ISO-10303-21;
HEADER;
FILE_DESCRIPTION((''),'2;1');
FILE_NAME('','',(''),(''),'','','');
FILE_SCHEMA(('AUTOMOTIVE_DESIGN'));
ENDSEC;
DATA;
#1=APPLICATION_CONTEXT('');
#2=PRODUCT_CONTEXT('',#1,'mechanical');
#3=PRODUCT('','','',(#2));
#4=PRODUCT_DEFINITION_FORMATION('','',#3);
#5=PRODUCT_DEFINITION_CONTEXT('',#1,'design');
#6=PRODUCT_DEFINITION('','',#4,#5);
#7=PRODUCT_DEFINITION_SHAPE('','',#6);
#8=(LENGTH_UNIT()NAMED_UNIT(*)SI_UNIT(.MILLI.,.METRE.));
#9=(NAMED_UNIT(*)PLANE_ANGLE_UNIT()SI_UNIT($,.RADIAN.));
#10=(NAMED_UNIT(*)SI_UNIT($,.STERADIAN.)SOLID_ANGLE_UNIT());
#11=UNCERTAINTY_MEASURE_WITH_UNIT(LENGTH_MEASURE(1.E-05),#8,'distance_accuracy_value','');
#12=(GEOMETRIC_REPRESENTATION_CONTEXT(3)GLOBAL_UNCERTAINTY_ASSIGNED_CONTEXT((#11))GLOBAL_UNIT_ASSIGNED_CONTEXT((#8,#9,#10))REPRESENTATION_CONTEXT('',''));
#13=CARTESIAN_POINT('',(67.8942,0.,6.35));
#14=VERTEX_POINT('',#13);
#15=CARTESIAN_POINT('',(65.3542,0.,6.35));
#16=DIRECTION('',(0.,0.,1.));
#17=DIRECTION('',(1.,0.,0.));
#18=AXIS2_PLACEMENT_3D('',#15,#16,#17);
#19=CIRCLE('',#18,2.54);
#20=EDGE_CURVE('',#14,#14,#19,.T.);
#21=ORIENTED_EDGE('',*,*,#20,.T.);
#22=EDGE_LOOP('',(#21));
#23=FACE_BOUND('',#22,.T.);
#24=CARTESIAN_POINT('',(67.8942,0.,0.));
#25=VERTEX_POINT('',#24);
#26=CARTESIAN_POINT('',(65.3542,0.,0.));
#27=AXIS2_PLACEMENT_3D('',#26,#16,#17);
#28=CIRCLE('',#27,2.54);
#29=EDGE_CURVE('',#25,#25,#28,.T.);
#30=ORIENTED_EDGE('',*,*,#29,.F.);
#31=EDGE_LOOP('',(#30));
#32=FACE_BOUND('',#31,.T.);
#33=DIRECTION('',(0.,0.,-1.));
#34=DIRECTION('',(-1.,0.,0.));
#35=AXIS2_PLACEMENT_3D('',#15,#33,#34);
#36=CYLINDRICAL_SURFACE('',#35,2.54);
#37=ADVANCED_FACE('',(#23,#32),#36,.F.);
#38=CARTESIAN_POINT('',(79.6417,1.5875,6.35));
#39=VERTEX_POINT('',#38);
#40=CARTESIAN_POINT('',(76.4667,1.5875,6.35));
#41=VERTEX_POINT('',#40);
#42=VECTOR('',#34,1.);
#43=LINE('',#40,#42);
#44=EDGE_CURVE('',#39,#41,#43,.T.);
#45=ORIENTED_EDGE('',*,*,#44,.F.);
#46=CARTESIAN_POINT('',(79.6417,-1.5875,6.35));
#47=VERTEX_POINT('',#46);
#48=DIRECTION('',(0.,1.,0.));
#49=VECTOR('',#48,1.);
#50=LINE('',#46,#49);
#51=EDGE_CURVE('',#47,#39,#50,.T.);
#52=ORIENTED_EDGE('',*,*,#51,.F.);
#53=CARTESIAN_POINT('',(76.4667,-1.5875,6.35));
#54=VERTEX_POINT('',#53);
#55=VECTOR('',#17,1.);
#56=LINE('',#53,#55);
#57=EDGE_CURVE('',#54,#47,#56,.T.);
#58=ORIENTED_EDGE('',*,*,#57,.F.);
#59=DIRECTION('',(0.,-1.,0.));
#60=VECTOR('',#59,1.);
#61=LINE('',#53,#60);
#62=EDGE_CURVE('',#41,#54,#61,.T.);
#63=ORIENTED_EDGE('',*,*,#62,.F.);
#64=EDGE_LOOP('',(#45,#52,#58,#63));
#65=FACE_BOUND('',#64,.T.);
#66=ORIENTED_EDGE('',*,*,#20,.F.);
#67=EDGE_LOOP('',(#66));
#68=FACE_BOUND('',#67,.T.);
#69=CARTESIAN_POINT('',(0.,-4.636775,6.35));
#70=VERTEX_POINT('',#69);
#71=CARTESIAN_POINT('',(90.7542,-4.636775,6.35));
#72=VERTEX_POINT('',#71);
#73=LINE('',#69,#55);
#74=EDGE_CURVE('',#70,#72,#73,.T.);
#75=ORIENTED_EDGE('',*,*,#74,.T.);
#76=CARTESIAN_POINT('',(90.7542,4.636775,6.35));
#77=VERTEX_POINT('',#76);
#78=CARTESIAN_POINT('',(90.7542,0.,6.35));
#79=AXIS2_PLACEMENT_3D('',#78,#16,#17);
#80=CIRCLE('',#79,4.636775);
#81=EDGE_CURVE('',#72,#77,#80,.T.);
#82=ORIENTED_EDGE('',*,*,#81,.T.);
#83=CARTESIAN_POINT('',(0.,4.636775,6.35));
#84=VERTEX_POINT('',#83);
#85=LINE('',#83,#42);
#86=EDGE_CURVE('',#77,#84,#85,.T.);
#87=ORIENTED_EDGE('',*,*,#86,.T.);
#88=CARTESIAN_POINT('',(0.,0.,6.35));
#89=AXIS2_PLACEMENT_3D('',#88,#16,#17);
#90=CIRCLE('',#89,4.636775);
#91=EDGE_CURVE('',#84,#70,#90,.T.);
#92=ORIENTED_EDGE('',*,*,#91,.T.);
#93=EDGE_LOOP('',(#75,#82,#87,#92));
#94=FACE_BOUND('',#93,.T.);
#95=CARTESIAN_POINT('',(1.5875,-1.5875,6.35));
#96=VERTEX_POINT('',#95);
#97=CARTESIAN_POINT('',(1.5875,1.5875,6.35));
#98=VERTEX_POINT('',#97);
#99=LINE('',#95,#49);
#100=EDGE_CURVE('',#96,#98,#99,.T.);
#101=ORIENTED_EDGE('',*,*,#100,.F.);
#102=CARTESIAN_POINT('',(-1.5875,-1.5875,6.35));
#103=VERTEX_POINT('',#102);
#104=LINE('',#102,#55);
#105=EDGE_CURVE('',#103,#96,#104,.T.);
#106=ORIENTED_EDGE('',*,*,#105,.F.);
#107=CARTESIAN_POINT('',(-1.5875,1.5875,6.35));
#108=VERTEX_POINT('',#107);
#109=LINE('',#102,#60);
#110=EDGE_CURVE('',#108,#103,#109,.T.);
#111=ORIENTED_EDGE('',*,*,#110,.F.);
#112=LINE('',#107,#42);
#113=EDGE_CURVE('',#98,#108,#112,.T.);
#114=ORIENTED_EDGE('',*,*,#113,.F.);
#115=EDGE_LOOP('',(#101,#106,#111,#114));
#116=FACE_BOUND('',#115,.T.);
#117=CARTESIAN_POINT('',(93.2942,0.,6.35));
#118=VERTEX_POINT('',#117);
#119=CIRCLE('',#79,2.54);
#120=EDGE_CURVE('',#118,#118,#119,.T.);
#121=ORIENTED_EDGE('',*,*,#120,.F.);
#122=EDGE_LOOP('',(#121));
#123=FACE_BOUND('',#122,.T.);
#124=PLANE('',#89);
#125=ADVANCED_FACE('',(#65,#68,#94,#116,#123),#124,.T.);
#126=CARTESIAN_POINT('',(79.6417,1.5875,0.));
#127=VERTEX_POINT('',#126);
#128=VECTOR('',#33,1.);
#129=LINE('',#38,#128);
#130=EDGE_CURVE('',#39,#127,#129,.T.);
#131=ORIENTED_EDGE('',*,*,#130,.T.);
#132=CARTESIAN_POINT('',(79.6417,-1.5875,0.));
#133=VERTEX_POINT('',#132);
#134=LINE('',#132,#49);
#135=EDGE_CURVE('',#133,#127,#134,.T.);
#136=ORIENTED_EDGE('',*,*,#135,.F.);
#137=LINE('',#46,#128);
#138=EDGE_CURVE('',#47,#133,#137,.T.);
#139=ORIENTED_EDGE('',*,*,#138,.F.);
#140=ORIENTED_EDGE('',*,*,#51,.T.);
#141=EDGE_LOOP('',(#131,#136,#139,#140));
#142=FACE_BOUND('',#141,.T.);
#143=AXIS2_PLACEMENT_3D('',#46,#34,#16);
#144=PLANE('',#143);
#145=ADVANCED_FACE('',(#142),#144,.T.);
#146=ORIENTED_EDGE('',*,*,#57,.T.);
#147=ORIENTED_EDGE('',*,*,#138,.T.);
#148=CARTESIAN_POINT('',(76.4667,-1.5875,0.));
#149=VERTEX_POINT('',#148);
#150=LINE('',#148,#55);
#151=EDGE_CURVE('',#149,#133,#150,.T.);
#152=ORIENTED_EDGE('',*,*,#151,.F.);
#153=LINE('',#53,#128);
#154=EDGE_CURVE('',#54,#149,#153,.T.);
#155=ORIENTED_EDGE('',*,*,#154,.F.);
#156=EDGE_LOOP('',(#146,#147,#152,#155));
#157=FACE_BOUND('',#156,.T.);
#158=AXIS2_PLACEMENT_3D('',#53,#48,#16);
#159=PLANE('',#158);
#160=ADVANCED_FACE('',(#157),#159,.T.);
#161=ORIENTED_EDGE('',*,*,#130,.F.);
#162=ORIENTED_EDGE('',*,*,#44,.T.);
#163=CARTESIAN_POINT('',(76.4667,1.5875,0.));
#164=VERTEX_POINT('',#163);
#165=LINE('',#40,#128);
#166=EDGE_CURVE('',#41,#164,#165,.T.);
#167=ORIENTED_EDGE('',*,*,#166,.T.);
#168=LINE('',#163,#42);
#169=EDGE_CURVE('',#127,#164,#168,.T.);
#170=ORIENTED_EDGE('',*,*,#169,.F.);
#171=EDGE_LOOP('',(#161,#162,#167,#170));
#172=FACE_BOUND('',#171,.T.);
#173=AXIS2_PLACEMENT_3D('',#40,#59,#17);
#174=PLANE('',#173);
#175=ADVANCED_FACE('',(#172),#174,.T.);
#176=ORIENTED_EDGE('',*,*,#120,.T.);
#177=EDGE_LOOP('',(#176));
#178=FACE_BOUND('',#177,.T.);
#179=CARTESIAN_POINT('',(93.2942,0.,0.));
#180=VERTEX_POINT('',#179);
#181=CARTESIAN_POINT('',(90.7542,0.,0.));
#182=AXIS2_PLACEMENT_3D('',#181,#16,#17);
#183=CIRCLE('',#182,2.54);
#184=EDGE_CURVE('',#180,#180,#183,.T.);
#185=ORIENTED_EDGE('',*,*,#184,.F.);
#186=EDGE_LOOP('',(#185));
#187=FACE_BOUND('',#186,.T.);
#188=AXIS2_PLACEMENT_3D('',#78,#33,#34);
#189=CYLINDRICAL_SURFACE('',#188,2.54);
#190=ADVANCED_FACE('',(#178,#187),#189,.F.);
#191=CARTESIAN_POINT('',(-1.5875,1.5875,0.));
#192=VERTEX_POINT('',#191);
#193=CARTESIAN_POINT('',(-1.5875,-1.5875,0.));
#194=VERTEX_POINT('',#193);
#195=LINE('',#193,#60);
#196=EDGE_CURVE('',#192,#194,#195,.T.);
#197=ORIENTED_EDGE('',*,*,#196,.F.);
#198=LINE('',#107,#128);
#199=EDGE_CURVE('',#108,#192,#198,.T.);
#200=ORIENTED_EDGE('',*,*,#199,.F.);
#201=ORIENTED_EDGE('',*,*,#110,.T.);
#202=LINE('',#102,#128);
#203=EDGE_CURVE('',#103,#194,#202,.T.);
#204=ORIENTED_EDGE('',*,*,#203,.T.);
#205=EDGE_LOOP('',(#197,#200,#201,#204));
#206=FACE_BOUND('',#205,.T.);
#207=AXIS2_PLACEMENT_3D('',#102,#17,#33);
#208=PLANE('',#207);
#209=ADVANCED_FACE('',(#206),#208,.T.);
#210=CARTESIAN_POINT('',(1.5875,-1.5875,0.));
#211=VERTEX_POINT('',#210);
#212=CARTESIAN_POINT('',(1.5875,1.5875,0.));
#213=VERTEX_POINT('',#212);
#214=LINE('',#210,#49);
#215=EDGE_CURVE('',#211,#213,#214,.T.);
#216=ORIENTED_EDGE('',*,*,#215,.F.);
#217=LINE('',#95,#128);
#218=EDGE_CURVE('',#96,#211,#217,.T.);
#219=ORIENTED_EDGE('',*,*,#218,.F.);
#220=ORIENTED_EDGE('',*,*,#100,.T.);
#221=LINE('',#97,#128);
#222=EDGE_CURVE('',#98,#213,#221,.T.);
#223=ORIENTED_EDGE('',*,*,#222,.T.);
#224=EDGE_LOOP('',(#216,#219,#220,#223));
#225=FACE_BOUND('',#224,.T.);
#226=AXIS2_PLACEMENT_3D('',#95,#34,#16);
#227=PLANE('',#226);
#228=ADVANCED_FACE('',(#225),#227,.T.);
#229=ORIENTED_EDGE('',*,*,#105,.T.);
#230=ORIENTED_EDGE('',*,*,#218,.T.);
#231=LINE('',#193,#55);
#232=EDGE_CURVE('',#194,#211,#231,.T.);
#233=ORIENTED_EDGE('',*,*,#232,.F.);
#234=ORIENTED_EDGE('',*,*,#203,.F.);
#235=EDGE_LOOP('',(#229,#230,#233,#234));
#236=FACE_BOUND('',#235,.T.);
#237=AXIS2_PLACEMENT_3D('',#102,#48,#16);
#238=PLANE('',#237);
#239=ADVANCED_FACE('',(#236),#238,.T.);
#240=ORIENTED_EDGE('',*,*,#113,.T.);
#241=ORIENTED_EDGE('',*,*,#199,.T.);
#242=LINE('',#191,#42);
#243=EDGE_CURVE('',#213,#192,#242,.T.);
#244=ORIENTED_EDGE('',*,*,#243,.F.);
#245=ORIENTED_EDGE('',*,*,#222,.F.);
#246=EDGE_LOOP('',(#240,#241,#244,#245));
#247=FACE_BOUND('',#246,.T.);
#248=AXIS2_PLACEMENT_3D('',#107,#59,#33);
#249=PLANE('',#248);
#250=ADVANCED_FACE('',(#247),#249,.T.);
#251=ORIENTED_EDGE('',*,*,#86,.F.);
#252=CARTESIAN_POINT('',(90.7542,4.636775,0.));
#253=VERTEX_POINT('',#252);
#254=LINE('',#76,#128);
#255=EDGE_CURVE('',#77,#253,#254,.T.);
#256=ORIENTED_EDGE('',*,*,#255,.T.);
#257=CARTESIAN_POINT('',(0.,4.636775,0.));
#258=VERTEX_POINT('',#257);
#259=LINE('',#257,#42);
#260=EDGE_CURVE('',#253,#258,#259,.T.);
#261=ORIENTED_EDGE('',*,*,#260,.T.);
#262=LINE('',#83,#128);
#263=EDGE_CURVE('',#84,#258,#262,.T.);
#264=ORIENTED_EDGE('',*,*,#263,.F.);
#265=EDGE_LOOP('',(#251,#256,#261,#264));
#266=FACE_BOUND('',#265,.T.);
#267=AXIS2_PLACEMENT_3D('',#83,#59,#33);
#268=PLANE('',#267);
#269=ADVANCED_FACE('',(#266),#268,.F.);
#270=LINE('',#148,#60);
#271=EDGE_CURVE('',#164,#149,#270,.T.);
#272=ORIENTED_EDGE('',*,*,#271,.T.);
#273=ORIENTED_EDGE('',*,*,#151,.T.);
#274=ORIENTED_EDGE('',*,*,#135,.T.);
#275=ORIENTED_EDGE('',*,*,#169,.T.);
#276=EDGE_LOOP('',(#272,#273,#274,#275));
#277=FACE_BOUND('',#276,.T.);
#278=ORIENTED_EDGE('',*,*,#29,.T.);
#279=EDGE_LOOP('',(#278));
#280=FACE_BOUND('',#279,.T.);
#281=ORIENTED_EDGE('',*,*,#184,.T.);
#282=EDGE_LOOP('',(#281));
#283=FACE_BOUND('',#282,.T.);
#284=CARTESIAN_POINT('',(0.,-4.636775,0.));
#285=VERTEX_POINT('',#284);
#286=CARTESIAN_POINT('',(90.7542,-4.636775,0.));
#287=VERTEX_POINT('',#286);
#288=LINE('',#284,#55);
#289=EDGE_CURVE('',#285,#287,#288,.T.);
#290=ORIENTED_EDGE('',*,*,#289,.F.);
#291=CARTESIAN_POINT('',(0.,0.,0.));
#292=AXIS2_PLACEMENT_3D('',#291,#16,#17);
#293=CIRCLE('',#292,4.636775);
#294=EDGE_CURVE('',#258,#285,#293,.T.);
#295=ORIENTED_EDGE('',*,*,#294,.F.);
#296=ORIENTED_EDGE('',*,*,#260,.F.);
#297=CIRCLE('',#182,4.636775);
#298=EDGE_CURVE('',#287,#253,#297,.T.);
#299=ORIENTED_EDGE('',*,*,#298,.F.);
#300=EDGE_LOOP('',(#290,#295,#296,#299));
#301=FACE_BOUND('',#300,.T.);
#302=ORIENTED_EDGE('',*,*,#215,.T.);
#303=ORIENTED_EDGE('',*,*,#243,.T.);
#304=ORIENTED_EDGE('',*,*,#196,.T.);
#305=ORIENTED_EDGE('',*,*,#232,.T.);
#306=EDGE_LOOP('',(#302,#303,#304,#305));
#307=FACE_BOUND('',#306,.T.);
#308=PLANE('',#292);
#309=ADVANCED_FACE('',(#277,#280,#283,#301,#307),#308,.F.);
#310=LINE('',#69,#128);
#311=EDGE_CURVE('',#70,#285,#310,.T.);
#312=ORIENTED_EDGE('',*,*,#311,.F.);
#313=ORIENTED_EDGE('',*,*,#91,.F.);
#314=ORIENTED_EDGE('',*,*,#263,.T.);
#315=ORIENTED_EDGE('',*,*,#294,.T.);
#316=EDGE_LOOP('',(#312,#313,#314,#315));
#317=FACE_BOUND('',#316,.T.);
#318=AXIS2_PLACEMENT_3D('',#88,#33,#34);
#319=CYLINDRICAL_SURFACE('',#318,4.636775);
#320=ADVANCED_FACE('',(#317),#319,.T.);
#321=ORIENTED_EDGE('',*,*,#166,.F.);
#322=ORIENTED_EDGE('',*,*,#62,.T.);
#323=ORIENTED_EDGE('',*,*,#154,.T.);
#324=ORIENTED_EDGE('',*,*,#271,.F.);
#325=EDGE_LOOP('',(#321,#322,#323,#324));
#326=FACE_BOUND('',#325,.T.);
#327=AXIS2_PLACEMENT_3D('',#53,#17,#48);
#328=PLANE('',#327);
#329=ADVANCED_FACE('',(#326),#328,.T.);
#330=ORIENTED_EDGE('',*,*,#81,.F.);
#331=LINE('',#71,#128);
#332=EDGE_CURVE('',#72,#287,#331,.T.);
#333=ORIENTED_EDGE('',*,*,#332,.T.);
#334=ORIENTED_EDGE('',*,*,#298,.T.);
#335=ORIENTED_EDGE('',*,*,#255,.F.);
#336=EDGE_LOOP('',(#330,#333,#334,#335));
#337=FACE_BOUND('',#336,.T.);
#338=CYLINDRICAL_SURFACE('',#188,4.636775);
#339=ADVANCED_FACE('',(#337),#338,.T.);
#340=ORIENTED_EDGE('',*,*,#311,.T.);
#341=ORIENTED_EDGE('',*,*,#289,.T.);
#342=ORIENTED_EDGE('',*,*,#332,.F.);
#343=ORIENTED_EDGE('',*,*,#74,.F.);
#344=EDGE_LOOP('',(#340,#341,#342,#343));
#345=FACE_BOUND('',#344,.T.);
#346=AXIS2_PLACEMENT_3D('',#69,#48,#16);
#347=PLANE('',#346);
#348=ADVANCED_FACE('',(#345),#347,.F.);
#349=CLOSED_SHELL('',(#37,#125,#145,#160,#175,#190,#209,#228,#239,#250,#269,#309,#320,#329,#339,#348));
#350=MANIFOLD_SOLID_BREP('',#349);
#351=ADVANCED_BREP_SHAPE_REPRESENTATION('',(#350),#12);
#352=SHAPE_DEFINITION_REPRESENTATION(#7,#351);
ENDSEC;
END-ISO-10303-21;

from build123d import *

# Parameters (mm, degrees)
SKETCH1_R           = 2.54
SKETCH1_W           = 3.175
SKETCH1_H           = 3.175
BOSS_EXTRUDE1_DEPTH = 6.35


with BuildPart() as part:
    # Sketch1 → Boss-Extrude1 (new body)
    with BuildSketch(Plane.XY):
        with BuildLine():
            Line((0, 4.636775303), (90.7542, 4.636775303))
            ThreePointArc((90.7542, 4.636775303), (95.390975303, 0), (90.7542, -4.636775303))
            Line((90.7542, -4.636775303), (0, -4.636775303))
            ThreePointArc((0, -4.636775303), (-4.636775303, 0), (0, 4.636775303))
        make_face()
        with Locations((90.7542, 0)):
            Circle(SKETCH1_R, mode=Mode.SUBTRACT)
        with Locations((65.3542, 0)):
            Circle(SKETCH1_R, mode=Mode.SUBTRACT)
        with Locations((78.0542, 0)):
            Rectangle(SKETCH1_W, SKETCH1_H, mode=Mode.SUBTRACT)
        Rectangle(SKETCH1_W, SKETCH1_H, mode=Mode.SUBTRACT)
    extrude(amount=BOSS_EXTRUDE1_DEPTH)


solid = part.part
